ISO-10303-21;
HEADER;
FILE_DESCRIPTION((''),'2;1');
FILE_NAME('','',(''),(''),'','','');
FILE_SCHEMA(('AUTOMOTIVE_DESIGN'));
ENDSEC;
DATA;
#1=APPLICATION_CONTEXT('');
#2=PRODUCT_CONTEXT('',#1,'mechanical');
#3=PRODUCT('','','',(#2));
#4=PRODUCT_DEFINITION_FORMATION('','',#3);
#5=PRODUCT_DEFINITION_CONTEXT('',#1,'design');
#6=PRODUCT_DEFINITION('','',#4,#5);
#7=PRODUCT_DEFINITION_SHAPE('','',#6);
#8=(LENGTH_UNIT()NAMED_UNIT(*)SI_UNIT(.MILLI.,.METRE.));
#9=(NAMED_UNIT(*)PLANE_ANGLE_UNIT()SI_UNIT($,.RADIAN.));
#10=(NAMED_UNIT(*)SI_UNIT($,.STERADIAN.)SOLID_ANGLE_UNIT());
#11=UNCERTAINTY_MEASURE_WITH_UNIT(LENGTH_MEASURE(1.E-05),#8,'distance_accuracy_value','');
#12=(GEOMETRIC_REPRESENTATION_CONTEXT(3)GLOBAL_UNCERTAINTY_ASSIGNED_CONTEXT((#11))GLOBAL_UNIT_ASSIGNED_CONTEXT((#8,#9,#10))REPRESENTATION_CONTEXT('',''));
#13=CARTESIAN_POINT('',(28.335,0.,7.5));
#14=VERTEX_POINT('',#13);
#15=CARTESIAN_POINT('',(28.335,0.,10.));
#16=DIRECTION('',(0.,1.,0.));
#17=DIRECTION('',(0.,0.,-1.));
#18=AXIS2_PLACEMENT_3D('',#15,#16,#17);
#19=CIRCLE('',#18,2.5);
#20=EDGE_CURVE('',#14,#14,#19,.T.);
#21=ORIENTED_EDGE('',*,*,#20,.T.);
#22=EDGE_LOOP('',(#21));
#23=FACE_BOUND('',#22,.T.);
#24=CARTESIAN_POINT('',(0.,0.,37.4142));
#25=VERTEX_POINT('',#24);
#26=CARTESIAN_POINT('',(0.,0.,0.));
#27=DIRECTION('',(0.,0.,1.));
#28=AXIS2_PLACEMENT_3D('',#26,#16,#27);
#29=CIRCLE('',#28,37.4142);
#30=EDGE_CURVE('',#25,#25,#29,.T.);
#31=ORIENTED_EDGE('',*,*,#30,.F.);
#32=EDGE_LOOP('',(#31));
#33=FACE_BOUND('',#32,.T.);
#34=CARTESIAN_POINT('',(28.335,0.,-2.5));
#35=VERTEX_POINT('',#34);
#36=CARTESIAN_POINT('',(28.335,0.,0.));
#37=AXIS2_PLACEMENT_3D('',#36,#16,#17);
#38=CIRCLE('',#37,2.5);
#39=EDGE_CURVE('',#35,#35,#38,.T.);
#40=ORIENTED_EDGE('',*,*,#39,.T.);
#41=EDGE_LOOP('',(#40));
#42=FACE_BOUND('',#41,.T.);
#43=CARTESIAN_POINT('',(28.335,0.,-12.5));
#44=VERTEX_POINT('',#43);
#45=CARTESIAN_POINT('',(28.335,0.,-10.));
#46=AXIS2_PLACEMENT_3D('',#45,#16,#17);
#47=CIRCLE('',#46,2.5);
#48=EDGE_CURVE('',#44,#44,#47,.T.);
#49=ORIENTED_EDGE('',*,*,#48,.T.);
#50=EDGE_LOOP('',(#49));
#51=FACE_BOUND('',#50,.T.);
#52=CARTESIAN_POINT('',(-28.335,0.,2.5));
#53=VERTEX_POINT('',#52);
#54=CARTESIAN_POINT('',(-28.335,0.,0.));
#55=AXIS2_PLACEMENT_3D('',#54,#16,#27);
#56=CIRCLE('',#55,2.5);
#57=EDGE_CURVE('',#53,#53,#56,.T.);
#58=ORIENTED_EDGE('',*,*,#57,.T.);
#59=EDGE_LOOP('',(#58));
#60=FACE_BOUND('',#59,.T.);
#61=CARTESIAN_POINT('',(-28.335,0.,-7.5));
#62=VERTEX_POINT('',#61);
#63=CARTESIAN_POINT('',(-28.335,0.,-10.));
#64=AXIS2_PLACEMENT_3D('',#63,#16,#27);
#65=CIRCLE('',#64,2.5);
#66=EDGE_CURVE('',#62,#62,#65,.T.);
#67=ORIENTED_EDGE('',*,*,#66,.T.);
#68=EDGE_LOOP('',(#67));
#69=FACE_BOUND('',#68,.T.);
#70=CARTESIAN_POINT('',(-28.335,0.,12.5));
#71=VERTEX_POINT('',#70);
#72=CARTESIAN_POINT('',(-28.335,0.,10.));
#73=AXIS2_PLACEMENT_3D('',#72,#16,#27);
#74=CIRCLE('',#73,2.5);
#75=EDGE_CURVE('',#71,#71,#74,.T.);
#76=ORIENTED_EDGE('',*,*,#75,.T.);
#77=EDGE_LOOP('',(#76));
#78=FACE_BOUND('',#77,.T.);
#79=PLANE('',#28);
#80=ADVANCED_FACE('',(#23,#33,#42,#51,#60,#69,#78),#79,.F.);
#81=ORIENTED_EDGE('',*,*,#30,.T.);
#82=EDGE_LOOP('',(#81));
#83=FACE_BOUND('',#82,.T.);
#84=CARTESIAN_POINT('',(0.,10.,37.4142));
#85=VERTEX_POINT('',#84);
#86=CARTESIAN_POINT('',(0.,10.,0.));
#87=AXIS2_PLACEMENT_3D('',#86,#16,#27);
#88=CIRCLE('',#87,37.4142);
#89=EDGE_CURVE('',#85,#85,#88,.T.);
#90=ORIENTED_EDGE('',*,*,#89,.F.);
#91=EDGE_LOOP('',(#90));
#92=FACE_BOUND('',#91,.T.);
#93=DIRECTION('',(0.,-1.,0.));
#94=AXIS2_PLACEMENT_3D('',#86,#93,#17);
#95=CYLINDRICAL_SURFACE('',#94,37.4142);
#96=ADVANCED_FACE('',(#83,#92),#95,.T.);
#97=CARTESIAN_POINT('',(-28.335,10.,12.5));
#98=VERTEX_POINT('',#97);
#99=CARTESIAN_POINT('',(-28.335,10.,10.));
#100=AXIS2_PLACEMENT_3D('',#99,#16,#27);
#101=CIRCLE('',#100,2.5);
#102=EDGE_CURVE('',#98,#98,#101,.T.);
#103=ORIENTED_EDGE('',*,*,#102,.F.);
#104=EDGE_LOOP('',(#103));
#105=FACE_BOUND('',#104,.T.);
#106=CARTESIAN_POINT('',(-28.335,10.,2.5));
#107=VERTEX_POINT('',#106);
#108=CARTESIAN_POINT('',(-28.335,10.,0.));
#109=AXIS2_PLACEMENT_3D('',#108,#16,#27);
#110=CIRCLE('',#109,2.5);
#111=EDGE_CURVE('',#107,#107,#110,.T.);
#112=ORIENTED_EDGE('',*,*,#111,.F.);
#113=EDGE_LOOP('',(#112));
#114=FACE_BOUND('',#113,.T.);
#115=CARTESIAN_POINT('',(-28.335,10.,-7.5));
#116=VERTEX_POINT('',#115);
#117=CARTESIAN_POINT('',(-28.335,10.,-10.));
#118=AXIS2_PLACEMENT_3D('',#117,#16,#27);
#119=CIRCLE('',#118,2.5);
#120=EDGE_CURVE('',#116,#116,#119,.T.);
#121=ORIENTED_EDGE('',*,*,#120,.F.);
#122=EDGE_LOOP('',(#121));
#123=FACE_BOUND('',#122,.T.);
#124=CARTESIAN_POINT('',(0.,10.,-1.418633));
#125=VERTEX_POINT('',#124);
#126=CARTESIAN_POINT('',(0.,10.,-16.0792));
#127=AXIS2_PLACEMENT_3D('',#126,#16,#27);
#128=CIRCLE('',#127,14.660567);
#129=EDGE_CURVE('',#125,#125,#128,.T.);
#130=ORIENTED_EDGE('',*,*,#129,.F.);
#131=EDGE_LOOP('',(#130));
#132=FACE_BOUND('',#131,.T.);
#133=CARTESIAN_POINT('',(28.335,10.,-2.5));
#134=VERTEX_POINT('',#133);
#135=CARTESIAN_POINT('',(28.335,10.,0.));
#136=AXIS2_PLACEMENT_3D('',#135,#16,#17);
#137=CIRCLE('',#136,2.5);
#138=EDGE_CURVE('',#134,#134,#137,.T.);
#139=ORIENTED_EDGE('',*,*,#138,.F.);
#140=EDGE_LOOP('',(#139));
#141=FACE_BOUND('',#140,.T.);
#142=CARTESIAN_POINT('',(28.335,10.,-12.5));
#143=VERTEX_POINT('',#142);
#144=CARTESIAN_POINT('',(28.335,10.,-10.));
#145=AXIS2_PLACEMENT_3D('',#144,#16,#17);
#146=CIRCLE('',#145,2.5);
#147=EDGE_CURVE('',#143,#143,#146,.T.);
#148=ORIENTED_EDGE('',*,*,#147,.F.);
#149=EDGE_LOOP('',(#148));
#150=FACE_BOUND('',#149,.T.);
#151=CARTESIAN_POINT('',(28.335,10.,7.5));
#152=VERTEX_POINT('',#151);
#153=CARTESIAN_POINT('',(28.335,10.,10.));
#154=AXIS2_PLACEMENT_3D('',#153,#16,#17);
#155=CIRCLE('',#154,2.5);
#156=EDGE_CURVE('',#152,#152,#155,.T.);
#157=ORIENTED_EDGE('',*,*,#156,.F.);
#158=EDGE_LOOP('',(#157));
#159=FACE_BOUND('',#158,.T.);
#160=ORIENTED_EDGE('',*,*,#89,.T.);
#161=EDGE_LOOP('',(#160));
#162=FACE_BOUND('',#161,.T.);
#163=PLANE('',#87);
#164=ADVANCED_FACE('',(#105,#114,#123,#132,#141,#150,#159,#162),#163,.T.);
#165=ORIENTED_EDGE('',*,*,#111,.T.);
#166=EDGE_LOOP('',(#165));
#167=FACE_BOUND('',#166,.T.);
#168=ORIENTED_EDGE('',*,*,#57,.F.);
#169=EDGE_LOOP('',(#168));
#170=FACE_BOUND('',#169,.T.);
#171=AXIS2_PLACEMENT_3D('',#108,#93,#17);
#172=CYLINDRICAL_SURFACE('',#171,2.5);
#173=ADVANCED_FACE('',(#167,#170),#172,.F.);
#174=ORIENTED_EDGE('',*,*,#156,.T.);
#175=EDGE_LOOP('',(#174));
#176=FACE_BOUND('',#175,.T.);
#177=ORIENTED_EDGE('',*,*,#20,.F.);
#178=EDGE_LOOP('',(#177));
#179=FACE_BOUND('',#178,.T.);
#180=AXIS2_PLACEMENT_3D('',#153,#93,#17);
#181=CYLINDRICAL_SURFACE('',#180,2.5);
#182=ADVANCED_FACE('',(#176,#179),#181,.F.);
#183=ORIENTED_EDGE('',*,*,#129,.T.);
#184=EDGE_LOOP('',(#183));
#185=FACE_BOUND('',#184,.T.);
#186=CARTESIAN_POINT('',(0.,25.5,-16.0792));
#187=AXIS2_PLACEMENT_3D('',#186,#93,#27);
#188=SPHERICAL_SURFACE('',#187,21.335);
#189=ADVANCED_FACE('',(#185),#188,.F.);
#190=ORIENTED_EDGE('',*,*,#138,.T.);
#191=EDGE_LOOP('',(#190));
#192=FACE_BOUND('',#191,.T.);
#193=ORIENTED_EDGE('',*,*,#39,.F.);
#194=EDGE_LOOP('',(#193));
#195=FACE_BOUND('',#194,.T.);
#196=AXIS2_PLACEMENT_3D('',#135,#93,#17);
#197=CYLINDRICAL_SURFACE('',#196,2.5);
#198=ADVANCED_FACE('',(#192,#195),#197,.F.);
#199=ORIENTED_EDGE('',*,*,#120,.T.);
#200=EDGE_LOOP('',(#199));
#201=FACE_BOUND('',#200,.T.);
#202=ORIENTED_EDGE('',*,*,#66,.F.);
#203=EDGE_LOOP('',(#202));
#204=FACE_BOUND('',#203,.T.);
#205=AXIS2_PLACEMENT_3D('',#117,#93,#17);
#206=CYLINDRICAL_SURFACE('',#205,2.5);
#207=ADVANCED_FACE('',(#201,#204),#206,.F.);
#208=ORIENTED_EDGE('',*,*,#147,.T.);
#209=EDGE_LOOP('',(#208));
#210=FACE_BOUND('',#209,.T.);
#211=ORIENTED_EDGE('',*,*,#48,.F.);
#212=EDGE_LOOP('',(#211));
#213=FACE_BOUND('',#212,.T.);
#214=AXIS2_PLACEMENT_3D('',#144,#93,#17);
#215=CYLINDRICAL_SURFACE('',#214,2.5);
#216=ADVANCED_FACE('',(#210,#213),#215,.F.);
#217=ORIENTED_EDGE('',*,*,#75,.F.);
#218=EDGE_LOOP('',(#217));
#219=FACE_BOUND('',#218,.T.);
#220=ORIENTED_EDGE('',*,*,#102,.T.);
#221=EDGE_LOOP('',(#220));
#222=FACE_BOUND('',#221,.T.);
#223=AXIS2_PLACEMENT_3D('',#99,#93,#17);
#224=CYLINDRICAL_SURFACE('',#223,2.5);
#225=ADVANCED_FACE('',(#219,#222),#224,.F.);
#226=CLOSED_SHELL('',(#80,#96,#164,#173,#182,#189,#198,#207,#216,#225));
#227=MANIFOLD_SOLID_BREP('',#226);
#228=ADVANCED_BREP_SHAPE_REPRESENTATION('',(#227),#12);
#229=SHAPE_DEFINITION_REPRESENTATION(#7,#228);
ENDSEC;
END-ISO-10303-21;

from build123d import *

# Parameters (mm, degrees)
SKETCH1_R           = 37.4142
SKETCH1_R_2         = 2.5
BOSS_EXTRUDE1_DEPTH = 10


with BuildPart() as part:
    # Sketch1 → Boss-Extrude1 (new body)
    with BuildSketch(Plane(origin=(0, 0, 0), x_dir=(1, 0, 0), z_dir=(0, 1, 0))):
        with Locations(Location((0, 0, 0), (0, 0, 270))):
            Circle(SKETCH1_R)
        with Locations(Location((-28.335, 0, 0), (0, 0, 270))):
            Circle(SKETCH1_R_2, mode=Mode.SUBTRACT)
        with Locations(Location((28.335, 0, 0), (0, 0, 90))):
            Circle(SKETCH1_R_2, mode=Mode.SUBTRACT)
        with Locations(Location((-28.335, 10, 0), (0, 0, 270))):
            Circle(SKETCH1_R_2, mode=Mode.SUBTRACT)
        with Locations(Location((-28.335, -10, 0), (0, 0, 270))):
            Circle(SKETCH1_R_2, mode=Mode.SUBTRACT)
        with Locations(Location((28.335, -10, 0), (0, 0, 90))):
            Circle(SKETCH1_R_2, mode=Mode.SUBTRACT)
        with Locations(Location((28.335, 10, 0), (0, 0, 90))):
            Circle(SKETCH1_R_2, mode=Mode.SUBTRACT)
    extrude(amount=BOSS_EXTRUDE1_DEPTH)

    # Sketch2 → Cut-Revolve12 (revolve, cut)
    with BuildSketch(Plane(origin=(0, 0, 0), x_dir=(0, 0, -1), z_dir=(1, 0, 0))):
        with BuildLine():
            Line((16.0792, 46.835), (16.0792, 4.165))
            ThreePointArc((16.0792, 4.165), (37.4142, 25.5), (16.0792, 46.835))
        make_face()
    revolve(axis=Axis((0, 52.533559147, -16.0792), (0, 1, 0)), mode=Mode.SUBTRACT)


solid = part.part
